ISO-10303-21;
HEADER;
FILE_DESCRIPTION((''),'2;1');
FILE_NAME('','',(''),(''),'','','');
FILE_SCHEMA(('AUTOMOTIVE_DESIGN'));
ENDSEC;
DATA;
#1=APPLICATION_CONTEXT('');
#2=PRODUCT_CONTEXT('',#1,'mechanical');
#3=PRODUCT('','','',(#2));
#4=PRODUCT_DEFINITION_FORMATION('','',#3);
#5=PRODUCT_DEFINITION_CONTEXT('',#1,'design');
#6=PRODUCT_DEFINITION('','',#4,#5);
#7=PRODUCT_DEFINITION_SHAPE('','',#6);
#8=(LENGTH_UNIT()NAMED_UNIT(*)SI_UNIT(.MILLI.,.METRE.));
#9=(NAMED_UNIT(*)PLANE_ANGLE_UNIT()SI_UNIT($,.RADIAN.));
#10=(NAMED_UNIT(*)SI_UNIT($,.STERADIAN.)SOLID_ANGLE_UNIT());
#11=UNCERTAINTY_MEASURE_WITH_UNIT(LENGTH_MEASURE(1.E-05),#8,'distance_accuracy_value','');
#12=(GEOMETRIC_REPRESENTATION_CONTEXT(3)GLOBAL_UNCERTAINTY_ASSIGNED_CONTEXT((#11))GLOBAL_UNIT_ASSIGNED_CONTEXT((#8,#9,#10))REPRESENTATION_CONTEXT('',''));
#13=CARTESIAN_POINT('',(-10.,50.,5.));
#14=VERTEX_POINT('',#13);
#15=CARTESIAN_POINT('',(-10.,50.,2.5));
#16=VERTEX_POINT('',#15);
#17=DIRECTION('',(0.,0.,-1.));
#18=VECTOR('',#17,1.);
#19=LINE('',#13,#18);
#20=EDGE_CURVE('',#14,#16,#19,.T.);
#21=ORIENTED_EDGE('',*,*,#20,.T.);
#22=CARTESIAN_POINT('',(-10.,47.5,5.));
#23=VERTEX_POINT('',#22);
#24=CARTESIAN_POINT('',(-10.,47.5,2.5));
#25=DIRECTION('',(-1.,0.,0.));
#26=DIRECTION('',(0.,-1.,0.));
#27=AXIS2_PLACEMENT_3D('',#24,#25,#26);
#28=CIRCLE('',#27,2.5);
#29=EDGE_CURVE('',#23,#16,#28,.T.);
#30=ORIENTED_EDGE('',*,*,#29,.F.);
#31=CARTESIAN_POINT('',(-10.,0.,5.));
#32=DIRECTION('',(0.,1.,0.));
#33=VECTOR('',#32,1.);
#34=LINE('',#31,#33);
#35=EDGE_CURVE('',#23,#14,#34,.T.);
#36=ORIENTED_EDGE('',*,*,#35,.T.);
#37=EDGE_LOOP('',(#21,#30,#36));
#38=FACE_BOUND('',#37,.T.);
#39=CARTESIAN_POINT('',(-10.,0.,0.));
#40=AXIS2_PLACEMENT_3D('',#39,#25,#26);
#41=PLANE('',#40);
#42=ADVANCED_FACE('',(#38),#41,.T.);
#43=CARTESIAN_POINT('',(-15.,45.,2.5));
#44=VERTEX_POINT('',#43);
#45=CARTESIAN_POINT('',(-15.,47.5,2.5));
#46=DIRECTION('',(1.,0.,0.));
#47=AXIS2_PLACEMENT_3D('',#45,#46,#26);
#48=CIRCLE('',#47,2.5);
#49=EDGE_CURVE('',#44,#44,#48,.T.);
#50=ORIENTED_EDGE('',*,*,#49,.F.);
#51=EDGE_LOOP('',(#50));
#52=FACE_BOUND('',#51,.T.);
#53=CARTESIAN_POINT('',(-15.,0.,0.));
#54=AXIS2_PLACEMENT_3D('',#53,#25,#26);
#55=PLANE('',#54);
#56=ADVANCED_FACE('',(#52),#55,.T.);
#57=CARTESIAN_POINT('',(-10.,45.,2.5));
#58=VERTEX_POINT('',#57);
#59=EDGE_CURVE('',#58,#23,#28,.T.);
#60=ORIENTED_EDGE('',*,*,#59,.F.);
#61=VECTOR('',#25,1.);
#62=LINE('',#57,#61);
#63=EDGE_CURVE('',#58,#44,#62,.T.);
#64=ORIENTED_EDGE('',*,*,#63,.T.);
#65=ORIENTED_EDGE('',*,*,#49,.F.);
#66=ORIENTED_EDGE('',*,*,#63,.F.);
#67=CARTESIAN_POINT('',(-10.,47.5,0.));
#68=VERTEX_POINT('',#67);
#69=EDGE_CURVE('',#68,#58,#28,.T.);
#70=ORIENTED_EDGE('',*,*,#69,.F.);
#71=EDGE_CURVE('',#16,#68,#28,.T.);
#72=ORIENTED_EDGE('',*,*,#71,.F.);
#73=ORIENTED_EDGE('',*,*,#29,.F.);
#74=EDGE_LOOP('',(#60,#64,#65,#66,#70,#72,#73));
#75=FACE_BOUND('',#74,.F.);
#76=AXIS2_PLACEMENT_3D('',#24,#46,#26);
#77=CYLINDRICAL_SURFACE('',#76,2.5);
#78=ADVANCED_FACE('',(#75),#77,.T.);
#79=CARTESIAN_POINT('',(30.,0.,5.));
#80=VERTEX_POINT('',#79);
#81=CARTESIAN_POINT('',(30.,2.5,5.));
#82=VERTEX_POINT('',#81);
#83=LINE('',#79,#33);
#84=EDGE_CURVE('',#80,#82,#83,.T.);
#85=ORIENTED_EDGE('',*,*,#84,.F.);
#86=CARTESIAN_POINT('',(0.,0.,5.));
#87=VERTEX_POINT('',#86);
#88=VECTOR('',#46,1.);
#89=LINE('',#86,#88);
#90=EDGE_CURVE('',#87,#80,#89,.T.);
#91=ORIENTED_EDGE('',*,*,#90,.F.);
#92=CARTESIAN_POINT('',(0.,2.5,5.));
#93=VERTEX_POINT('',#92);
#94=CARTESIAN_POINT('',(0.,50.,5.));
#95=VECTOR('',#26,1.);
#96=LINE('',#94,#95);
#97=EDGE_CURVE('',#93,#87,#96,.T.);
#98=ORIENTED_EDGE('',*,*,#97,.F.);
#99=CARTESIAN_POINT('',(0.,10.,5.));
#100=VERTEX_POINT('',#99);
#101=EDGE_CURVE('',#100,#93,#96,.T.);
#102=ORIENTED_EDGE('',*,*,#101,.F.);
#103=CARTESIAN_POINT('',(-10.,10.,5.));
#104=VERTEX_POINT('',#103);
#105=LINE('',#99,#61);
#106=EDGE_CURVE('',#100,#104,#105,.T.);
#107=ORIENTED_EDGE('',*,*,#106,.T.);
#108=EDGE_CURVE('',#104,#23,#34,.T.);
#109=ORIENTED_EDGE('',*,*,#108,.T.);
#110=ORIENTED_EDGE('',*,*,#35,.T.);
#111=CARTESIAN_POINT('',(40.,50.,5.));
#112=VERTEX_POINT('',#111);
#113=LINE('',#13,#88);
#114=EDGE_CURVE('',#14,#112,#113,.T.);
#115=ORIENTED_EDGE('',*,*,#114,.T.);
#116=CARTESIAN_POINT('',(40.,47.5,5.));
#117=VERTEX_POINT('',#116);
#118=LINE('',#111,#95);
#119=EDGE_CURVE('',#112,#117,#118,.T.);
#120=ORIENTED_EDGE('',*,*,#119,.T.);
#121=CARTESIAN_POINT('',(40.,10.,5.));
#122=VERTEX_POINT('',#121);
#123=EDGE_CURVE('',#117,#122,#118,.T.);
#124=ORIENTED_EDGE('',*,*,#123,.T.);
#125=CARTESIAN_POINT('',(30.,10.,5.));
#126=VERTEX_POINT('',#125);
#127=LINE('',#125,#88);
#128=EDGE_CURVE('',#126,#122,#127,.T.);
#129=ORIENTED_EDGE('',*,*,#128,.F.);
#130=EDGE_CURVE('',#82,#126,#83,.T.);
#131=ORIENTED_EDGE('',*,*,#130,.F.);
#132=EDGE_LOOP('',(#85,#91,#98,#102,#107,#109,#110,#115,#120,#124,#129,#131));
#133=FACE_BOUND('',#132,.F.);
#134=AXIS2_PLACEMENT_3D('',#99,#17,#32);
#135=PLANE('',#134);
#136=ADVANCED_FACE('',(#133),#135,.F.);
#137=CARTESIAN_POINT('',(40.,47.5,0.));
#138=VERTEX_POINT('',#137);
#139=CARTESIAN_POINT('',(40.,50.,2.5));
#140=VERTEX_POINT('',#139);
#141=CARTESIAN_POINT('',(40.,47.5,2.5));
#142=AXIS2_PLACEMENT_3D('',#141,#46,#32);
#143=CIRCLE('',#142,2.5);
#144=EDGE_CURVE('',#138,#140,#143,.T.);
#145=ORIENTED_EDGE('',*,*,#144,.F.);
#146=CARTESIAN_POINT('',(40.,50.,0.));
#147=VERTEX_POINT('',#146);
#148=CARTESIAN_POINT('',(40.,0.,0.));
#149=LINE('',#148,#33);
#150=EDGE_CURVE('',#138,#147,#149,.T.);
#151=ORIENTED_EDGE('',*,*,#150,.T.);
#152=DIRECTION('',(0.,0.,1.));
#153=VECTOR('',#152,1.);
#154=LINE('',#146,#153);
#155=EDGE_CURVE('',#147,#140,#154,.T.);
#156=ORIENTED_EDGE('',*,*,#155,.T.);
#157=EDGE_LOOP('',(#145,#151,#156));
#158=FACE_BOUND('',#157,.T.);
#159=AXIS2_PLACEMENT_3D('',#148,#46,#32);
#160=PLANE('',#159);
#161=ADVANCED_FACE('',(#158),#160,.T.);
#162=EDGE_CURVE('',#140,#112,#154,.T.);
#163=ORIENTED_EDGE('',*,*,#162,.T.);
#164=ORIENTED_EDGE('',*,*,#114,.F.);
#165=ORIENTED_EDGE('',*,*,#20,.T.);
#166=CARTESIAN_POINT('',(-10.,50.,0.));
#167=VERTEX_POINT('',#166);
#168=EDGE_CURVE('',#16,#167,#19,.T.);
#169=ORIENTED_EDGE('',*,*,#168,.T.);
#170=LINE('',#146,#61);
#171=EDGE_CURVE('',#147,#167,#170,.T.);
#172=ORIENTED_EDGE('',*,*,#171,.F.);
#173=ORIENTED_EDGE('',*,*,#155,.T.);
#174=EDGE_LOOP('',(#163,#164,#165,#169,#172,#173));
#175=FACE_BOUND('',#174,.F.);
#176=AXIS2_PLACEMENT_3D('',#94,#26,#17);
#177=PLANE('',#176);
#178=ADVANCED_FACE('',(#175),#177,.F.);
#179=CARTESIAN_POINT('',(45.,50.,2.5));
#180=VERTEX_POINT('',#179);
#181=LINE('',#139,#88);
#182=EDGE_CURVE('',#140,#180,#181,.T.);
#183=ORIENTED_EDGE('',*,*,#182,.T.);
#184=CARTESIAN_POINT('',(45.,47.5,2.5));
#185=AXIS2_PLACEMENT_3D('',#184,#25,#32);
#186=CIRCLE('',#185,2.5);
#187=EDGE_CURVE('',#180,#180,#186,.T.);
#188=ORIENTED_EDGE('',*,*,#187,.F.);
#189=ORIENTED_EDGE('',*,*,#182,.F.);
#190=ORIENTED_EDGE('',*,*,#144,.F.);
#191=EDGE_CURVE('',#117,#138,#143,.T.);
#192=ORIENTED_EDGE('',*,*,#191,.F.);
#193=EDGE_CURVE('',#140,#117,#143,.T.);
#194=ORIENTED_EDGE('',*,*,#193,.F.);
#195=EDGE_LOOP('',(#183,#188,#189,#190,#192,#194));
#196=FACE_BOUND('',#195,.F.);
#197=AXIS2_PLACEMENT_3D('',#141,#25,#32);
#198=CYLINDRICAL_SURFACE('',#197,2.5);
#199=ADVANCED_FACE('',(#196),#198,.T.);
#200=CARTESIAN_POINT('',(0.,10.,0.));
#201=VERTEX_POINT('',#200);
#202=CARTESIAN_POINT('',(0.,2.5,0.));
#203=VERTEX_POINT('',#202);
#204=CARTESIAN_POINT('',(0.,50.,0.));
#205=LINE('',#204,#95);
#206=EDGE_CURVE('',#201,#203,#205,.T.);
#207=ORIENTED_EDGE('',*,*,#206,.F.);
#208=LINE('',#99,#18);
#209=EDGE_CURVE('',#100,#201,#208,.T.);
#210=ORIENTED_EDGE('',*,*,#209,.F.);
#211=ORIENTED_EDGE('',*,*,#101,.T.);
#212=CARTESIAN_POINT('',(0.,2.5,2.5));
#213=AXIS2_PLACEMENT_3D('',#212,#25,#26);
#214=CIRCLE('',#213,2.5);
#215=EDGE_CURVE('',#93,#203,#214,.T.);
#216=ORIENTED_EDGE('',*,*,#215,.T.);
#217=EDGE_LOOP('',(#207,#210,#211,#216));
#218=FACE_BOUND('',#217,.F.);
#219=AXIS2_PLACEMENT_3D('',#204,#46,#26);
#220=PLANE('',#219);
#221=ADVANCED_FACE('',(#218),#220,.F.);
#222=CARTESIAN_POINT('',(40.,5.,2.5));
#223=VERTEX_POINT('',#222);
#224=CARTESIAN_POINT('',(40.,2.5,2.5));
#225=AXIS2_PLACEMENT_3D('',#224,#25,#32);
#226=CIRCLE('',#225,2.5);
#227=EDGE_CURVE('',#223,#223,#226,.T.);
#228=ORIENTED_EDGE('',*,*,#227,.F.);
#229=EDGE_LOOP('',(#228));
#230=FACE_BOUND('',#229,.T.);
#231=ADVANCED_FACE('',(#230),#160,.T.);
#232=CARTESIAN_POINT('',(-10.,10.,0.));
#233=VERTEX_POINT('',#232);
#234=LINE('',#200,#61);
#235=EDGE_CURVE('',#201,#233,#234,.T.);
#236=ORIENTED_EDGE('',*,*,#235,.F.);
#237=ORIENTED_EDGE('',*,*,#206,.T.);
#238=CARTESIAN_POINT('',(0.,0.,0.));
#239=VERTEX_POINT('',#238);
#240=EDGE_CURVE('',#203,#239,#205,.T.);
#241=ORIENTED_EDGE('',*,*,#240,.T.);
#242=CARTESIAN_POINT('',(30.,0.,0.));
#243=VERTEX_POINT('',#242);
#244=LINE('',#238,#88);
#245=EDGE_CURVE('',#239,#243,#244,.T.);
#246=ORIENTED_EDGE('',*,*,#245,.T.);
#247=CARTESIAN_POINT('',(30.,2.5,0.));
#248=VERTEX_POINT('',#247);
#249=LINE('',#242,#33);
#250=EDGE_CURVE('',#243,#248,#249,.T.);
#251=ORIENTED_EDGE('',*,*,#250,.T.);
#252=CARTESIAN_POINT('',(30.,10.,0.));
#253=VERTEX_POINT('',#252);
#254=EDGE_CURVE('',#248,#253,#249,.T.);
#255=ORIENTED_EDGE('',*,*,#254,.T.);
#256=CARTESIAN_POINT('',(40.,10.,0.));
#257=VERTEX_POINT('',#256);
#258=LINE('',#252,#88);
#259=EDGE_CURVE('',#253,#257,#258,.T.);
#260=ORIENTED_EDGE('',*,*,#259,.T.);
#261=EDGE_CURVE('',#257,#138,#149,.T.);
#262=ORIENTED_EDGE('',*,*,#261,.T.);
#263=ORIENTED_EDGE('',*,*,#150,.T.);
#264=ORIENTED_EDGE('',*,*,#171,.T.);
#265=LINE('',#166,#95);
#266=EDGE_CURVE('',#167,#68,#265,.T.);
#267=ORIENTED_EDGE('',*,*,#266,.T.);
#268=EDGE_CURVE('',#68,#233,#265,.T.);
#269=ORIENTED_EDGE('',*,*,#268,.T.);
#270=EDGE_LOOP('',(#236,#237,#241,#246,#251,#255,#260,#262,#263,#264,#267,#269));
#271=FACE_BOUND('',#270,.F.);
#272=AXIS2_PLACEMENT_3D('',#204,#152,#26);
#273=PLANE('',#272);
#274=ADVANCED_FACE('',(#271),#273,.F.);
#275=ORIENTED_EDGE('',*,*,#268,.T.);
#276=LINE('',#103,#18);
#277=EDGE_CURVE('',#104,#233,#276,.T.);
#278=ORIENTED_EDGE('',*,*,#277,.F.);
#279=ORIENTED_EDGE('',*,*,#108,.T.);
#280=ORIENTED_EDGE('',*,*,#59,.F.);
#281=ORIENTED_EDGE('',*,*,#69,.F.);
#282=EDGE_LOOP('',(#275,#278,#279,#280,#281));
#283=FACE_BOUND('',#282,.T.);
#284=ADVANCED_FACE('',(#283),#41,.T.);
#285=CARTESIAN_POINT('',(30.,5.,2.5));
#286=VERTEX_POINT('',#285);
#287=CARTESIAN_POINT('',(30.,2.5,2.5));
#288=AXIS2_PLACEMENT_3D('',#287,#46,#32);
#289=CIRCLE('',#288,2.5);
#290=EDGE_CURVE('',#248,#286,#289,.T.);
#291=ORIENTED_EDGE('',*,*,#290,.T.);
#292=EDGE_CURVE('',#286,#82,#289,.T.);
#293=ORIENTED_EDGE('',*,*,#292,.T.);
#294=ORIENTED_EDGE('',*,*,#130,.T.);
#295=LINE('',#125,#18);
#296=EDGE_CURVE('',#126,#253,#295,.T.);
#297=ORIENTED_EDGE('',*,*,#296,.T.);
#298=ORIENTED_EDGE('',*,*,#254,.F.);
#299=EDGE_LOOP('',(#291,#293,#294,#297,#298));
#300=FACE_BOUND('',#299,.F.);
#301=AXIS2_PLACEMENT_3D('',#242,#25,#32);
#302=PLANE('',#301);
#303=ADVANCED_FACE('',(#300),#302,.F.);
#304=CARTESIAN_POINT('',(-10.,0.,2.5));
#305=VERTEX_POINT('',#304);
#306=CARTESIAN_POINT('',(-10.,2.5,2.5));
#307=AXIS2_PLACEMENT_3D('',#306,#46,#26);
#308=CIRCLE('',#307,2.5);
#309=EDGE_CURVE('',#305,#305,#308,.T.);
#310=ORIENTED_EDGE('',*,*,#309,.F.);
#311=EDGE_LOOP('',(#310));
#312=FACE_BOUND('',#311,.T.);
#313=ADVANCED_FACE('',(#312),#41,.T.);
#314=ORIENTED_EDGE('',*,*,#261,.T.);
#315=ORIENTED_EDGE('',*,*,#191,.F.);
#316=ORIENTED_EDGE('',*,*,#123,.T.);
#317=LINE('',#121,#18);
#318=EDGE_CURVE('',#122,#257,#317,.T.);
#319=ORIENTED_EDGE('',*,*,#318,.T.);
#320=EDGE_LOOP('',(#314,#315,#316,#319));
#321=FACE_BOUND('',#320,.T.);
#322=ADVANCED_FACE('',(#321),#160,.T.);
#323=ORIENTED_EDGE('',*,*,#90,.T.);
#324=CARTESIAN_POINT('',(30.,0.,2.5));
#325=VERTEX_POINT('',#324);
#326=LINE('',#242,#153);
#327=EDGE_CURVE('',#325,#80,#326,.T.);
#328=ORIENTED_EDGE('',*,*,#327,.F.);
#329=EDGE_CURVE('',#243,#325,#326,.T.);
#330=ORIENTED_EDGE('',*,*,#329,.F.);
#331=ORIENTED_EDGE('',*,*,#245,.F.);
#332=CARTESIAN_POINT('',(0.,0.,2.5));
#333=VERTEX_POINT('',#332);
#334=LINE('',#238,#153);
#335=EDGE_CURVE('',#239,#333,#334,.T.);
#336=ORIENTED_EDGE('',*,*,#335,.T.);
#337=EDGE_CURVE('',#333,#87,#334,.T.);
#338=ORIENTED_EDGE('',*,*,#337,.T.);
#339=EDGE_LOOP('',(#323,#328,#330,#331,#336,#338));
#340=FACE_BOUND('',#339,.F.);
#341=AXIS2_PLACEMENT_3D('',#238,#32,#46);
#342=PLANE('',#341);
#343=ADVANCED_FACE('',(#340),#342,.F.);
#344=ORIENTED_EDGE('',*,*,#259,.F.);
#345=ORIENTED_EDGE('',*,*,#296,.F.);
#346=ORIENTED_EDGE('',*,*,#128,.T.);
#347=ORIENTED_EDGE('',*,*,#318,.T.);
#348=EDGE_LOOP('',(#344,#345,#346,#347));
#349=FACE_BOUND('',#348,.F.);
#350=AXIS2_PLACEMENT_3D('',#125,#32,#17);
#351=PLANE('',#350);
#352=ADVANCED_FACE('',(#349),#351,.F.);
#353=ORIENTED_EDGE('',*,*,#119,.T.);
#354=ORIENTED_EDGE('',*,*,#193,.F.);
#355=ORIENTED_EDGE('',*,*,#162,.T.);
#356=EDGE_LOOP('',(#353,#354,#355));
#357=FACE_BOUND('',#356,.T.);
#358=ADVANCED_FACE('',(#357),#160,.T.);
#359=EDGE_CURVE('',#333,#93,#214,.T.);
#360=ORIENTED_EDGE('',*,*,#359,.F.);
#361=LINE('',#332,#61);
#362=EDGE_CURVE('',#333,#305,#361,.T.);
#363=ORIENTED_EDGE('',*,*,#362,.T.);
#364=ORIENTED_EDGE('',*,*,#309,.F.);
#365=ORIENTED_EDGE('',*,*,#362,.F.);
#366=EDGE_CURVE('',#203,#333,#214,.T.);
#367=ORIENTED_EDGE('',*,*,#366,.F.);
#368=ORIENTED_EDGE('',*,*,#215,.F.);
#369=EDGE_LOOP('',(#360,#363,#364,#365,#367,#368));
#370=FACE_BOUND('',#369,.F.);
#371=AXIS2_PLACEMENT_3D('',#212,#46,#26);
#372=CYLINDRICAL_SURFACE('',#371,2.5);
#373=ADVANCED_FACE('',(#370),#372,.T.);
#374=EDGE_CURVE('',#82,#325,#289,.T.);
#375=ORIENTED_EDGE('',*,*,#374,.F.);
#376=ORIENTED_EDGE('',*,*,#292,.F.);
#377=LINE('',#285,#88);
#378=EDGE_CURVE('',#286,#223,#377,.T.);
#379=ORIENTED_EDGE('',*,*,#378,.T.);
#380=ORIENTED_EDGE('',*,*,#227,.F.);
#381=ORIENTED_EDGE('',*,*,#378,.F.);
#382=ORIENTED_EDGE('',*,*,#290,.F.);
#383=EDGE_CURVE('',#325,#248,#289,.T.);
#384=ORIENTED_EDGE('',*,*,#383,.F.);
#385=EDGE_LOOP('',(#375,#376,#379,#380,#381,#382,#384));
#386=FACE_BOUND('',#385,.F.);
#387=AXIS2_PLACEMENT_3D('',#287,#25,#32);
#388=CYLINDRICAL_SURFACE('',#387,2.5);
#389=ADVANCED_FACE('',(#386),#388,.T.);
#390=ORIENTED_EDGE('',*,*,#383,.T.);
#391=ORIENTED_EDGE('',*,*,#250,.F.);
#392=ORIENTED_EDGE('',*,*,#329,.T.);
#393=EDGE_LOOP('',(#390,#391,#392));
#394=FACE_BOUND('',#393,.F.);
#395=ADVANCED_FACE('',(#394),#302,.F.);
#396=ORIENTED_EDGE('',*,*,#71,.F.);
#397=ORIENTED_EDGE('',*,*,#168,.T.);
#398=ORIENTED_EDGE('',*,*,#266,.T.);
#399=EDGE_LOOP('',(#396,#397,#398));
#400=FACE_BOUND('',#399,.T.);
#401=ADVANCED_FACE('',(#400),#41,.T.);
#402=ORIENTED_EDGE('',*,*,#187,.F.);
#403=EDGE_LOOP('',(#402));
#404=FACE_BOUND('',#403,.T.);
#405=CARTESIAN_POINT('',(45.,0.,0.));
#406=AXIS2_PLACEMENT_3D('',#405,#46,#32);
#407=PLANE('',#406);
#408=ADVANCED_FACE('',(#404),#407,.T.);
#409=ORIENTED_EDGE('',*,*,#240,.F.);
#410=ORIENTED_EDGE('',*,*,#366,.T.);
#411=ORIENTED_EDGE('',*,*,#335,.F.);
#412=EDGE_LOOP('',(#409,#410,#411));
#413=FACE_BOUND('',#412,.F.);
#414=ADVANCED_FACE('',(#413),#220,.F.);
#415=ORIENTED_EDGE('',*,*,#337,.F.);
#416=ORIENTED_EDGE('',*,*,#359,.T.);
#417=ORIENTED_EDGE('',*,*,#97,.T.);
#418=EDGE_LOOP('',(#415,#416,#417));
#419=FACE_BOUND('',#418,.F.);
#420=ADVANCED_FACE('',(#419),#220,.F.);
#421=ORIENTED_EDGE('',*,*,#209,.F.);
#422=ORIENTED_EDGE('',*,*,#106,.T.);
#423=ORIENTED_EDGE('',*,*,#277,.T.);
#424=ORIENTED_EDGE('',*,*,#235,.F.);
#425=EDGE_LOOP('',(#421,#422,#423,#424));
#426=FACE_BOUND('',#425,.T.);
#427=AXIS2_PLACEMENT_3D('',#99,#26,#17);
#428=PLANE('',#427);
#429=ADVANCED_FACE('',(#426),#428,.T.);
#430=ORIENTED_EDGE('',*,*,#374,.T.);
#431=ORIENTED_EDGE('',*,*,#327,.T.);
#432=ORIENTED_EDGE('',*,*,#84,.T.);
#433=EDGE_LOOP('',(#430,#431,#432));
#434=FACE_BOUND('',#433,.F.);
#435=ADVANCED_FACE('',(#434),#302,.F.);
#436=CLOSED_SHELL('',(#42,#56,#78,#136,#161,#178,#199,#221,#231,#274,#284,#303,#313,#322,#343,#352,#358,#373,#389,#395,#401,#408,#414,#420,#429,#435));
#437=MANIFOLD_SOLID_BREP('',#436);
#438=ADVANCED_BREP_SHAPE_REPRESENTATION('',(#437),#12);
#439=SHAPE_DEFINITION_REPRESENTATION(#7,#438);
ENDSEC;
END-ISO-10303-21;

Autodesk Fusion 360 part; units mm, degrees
sketch "Sketch1" plane through (0, 0, 0) normal (0, 0, 1) x (1, 0, 0)
  line L0 (0, 0) -> (30, 0)
  line L1 (30, 0) -> (30, 50)
  line L2 (30, 50) -> (0, 50)
  line L3 (0, 50) -> (0, 0)
  dimension "d1" = 30
  dimension "d2" = 50
extrude "Extrude1" add sketch "Sketch1" along normal blind 5
sketch "Sketch3" plane through (30, 0, 0) normal (1, 0, 0) x (0, 1, 0)
  line L0 (0, 0) -> (50, 0)
  line L1 (50, 0) -> (50, 5)
  line L2 (50, 5) -> (0, 5)
  line L3 (0, 5) -> (0, 0)
  line L4 (50, 5) -> (10, 5)
  line L5 (10, 5) -> (10, 0)
  line L6 (10, 0) -> (50, 0)
  line L7 (50, 0) -> (50, 5)
  dimension "d9" = 40
  dimension "d10" = 5
extrude "Extrude3" add sketch "Sketch3" along normal blind 10 contours L0 L1 L2 L4 L5 L6 L7
sketch "Sketch4" plane through (0, 0, 0) normal (-1, 0, 0) x (0, -1, 0)
  line L0 (-50, 0) -> (0, 0)
  line L1 (0, 0) -> (0, 5)
  line L2 (0, 5) -> (-50, 5)
  line L3 (-50, 5) -> (-50, 0)
  line L4 (-50, 5) -> (-10, 5)
  line L5 (-10, 5) -> (-10, 0)
  line L6 (-10, 0) -> (-50, 0)
  line L7 (-50, 0) -> (-50, 5)
  dimension "d13" = 40
  dimension "d14" = 5
extrude "Extrude4" add sketch "Sketch4" along normal blind 10 contours L0 L2 L3 L4 L5 L6 L7
sketch "Sketch5" plane through (0, 0, 0) normal (-1, 0, 0) x (0, -1, 0)
  line L0 (-10, 5) -> (-10, 0)
  line L1 (-10, 0) -> (0, 0)
  line L2 (0, 0) -> (0, 5)
  line L3 (0, 5) -> (-10, 5)
  circle A0 centre (-2.5, 2.5) radius 2.5
  dimension "d17" = 5
extrude "Extrude5" add sketch "Sketch5" along normal blind 10 contours A0
sketch "Sketch6" plane through (30, 0, 0) normal (1, 0, 0) x (0, 1, 0)
  line L0 (10, 0) -> (10, 5)
  line L1 (10, 5) -> (0, 5)
  line L2 (0, 5) -> (0, 0)
  line L3 (0, 0) -> (10, 0)
  circle A0 centre (2.5, 2.5) radius 2.5
  dimension "d20" = 5
extrude "Extrude6" add sketch "Sketch6" along normal blind 10 contours A0
sketch "Sketch7" plane through (40, 0, 0) normal (1, 0, 0) x (0, 1, 0)
  line L0 (50, 0) -> (50, 5)
  line L1 (50, 5) -> (10, 5)
  line L2 (10, 5) -> (10, 0)
  line L3 (10, 0) -> (50, 0)
  circle A0 centre (47.5, 2.5) radius 2.5
  dimension "d23" = 5
extrude "Extrude7" add sketch "Sketch7" along normal blind 5 contours A0
sketch "Sketch8" plane through (-10, 0, 0) normal (-1, 0, 0) x (0, -1, 0)
  line L0 (-50, 0) -> (-10, 0)
  line L1 (-10, 0) -> (-10, 5)
  line L2 (-10, 5) -> (-50, 5)
  line L3 (-50, 5) -> (-50, 0)
  circle A0 centre (-47.5, 2.5) radius 2.5
  dimension "d26" = 5
extrude "Extrude8" add sketch "Sketch8" along normal blind 5 contours A0
